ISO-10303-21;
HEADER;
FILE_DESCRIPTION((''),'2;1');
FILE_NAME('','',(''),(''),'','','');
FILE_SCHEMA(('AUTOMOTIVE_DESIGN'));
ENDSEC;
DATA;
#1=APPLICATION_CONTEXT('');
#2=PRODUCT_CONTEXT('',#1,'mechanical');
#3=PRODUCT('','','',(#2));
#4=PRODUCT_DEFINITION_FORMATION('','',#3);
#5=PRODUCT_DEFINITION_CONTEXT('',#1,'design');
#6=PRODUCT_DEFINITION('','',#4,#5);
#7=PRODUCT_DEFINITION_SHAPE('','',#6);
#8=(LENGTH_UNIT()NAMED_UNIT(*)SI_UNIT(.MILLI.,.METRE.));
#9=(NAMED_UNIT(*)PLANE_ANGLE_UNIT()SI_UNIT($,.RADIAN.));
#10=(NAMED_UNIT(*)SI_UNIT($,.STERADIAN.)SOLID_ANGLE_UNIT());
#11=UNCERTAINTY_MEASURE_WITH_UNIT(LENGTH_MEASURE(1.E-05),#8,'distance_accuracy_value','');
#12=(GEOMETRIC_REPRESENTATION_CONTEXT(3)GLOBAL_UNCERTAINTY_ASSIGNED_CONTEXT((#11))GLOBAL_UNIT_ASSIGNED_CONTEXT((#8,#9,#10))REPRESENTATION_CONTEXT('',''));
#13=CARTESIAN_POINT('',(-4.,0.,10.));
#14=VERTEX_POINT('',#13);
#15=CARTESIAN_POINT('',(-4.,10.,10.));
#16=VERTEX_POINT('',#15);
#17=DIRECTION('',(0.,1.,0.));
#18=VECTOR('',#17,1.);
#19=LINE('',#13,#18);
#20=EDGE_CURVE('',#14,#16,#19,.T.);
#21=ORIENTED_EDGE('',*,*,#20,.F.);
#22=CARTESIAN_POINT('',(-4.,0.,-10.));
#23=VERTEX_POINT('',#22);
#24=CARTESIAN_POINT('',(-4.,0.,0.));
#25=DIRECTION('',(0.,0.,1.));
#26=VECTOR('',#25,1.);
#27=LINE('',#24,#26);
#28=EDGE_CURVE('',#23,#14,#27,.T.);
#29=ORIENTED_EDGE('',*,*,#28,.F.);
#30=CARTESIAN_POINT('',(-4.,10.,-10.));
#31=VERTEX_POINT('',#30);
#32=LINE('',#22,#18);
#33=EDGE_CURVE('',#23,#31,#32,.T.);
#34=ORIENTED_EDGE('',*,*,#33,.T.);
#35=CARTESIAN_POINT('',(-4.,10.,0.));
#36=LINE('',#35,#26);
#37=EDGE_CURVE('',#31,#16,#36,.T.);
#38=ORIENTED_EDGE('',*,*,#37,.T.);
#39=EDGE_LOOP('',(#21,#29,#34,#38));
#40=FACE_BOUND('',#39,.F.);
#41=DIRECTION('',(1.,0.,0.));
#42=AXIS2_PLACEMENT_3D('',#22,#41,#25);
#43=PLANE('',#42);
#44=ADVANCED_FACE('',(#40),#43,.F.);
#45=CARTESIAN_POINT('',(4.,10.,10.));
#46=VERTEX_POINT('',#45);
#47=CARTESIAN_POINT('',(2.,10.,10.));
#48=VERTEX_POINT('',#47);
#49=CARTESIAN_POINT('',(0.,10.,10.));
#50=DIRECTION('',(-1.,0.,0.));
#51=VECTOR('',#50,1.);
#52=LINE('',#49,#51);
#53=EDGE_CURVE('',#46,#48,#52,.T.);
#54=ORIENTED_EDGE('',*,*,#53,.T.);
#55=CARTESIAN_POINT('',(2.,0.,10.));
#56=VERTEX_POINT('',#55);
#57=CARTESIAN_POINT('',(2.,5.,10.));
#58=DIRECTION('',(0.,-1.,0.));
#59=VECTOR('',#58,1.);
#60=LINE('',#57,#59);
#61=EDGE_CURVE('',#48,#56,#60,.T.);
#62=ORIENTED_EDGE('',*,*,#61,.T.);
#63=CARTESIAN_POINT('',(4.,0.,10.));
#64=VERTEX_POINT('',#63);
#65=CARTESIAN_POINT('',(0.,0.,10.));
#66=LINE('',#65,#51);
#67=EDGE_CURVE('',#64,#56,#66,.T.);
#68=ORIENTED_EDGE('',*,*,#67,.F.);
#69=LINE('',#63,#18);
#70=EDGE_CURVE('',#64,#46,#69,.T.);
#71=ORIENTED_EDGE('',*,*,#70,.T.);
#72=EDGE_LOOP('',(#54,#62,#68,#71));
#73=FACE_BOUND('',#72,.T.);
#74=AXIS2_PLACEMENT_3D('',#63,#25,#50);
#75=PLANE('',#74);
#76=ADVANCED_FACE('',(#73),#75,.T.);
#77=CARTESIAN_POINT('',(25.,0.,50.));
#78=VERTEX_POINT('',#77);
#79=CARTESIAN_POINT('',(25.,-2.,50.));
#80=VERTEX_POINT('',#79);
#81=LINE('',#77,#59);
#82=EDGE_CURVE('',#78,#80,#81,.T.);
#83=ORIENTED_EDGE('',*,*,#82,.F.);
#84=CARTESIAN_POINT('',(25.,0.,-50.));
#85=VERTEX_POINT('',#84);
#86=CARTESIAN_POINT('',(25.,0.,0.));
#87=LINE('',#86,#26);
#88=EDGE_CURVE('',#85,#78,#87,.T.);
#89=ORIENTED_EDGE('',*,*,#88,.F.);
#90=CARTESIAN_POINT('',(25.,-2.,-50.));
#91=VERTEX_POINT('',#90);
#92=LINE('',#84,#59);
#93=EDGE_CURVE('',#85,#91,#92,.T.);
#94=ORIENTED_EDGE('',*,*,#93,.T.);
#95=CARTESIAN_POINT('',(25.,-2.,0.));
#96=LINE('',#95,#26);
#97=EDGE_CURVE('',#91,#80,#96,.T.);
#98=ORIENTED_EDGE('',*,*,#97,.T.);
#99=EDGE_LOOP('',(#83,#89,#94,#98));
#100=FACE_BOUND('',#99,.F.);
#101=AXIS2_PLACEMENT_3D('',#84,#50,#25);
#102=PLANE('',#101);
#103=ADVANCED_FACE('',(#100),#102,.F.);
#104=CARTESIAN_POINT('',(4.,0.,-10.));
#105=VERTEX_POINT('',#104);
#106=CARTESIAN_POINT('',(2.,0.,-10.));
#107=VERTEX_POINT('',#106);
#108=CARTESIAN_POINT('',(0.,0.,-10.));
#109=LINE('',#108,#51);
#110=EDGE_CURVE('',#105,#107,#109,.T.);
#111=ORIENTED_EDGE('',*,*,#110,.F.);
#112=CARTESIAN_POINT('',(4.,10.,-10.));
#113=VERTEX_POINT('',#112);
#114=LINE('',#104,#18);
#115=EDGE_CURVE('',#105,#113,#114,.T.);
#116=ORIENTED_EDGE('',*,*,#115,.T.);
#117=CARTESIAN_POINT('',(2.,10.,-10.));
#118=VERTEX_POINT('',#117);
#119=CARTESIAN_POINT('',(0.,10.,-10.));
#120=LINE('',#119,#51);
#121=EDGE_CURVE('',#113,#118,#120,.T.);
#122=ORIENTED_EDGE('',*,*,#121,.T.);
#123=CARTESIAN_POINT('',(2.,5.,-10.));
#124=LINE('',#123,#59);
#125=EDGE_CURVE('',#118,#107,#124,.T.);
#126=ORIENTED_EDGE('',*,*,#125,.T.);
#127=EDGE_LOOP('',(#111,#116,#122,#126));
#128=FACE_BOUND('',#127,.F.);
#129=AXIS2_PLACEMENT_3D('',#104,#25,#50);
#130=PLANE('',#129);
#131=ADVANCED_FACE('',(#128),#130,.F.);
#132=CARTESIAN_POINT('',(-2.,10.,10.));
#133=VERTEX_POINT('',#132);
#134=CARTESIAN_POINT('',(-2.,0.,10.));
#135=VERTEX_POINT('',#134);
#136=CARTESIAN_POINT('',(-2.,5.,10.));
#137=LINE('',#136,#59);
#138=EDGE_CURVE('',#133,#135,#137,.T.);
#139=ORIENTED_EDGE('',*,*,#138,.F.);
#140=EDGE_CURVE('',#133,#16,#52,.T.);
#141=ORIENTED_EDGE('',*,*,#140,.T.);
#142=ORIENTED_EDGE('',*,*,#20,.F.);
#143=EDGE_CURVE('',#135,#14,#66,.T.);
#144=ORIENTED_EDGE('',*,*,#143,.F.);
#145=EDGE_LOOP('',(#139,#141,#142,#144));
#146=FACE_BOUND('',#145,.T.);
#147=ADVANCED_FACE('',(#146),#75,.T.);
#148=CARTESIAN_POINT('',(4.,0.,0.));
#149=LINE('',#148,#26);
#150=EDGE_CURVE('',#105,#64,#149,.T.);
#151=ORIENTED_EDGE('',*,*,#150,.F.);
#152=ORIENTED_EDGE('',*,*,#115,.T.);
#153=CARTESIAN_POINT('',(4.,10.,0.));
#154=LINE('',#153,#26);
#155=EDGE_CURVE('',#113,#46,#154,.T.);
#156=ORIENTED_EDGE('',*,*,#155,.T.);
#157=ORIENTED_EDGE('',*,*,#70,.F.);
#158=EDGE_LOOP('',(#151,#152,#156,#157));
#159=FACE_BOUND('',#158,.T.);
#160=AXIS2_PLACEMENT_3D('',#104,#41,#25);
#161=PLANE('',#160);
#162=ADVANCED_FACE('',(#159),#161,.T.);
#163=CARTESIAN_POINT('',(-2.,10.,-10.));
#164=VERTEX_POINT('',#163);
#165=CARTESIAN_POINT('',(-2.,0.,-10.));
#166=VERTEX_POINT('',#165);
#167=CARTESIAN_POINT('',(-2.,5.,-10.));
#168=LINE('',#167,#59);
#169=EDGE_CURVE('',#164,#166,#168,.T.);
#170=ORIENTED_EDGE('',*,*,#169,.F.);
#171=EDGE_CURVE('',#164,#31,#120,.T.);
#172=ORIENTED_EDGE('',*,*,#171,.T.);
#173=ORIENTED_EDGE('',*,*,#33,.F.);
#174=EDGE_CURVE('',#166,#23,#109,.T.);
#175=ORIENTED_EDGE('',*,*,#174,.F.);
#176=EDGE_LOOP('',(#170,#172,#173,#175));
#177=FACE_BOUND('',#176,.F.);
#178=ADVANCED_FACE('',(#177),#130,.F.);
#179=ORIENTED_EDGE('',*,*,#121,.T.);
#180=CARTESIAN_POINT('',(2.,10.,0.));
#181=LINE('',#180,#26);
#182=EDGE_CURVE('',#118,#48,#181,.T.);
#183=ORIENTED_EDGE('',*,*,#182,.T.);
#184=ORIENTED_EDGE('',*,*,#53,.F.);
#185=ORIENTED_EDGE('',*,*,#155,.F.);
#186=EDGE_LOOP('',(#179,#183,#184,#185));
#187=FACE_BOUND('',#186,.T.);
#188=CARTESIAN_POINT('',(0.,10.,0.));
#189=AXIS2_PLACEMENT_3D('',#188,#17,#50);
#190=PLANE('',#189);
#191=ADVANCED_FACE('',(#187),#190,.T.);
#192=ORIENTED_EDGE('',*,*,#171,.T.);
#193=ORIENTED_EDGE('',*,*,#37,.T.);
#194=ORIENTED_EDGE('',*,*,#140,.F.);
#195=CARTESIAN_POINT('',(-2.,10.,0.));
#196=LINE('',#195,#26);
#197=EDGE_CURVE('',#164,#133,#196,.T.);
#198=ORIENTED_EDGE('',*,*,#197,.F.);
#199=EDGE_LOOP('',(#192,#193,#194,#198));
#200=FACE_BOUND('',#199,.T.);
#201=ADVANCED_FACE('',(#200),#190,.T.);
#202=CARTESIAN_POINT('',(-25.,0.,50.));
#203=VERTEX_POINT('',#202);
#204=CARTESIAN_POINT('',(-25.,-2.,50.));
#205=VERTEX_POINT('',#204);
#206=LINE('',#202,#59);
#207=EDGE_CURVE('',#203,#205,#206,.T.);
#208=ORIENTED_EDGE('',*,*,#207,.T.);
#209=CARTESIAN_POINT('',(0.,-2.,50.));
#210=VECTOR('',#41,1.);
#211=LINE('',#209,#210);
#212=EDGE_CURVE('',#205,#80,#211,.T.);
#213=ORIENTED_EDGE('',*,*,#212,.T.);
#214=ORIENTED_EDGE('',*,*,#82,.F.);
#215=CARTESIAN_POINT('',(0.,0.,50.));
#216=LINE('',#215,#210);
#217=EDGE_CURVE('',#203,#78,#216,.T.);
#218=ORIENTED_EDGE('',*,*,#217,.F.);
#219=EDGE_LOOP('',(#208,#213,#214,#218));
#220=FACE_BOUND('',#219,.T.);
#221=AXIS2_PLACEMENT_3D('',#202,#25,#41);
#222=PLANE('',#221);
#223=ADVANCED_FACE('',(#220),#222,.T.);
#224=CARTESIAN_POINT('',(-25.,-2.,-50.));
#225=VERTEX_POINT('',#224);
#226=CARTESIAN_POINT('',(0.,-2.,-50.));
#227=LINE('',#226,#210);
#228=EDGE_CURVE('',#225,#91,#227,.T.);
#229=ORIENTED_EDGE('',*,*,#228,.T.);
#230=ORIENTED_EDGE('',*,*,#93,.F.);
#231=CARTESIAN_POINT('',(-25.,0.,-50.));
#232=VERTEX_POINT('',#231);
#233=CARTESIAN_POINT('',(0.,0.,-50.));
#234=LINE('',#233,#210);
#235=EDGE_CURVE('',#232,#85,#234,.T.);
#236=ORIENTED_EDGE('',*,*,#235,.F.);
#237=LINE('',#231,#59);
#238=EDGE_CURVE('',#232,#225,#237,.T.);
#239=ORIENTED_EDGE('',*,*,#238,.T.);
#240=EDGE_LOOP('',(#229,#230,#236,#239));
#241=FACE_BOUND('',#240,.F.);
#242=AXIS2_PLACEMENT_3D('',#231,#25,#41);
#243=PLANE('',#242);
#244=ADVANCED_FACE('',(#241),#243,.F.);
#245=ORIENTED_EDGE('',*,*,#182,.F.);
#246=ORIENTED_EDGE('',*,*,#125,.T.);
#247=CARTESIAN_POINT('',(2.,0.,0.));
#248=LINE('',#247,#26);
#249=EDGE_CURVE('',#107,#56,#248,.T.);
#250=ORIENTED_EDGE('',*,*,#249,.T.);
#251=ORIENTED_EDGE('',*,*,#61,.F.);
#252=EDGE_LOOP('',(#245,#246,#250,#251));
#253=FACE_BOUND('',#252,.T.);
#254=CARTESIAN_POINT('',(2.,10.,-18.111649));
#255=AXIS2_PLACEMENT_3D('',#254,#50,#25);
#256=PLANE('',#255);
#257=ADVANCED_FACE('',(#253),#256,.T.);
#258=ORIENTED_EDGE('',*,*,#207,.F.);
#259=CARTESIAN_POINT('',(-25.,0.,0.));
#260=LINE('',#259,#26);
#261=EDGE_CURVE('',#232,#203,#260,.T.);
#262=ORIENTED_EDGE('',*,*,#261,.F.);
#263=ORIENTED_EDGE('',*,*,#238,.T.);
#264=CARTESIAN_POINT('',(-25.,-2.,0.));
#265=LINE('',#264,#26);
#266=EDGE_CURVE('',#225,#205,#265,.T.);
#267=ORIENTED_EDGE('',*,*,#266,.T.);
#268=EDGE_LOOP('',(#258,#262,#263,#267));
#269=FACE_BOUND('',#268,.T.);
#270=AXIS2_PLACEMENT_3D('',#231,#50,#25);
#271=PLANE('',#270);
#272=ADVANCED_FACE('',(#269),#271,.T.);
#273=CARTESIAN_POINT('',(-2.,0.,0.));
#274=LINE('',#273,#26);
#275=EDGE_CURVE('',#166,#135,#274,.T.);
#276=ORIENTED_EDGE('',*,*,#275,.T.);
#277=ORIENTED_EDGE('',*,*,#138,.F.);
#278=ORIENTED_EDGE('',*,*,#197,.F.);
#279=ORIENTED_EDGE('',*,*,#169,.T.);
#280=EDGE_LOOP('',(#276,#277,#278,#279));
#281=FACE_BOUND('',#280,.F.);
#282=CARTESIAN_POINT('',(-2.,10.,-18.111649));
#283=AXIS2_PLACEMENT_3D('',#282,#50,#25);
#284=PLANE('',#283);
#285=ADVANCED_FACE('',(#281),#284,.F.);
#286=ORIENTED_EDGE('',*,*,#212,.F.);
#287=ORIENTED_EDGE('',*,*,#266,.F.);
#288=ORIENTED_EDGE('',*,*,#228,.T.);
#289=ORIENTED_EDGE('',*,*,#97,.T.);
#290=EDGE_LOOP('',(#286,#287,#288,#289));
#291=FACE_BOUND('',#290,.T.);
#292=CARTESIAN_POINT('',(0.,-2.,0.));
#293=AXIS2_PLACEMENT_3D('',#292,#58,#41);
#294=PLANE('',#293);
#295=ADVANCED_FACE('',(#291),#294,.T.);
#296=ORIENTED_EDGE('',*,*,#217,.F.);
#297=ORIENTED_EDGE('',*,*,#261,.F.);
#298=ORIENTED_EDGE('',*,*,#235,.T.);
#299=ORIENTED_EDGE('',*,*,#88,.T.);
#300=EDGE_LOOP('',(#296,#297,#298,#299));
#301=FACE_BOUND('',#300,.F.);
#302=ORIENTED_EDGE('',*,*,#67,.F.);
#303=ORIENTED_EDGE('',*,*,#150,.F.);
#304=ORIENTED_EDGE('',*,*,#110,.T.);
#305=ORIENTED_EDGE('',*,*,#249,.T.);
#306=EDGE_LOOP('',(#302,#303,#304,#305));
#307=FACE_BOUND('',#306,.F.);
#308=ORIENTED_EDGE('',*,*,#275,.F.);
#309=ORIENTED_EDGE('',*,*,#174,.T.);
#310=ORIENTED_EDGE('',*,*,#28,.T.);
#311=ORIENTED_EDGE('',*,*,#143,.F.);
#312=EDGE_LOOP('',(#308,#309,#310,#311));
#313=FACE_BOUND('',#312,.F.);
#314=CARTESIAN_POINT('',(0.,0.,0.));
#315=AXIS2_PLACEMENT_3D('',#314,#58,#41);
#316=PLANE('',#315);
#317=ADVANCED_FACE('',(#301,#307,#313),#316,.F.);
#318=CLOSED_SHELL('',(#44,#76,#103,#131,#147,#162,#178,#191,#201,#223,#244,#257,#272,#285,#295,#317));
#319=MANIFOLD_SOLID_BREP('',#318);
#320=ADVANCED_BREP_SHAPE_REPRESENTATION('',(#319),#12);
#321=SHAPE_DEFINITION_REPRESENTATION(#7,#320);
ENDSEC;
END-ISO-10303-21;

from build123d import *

# Parameters (mm, degrees)
F0_W     = 50
F0_H     = 100
F1_DEPTH = 2
F2_W     = 8
F2_H     = 20
F3_DEPTH = 10
F4_W     = 4
F4_H     = 36.223298
F5_DEPTH = 10


with BuildPart() as f1:
    # F0 (on Front) → F1 (new body)
    with BuildSketch(Plane.XZ):
        Rectangle(F0_W, F0_H)
    extrude(amount=F1_DEPTH)

    # F2 (on face) → F3 (join)
    with BuildSketch(Plane(origin=(0, 0, 0), x_dir=(-1, 0, 0), z_dir=(0, 1, 0))):
        Rectangle(F2_W, F2_H)
    extrude(amount=F3_DEPTH)

    # F4 (on face) → F5 (cut)
    with BuildSketch(Plane(origin=(0, 10, 0), x_dir=(-1, 0, 0), z_dir=(0, 1, 0))):
        Rectangle(F4_W, F4_H)
    extrude(amount=-F5_DEPTH, mode=Mode.SUBTRACT)


solid = f1.part
